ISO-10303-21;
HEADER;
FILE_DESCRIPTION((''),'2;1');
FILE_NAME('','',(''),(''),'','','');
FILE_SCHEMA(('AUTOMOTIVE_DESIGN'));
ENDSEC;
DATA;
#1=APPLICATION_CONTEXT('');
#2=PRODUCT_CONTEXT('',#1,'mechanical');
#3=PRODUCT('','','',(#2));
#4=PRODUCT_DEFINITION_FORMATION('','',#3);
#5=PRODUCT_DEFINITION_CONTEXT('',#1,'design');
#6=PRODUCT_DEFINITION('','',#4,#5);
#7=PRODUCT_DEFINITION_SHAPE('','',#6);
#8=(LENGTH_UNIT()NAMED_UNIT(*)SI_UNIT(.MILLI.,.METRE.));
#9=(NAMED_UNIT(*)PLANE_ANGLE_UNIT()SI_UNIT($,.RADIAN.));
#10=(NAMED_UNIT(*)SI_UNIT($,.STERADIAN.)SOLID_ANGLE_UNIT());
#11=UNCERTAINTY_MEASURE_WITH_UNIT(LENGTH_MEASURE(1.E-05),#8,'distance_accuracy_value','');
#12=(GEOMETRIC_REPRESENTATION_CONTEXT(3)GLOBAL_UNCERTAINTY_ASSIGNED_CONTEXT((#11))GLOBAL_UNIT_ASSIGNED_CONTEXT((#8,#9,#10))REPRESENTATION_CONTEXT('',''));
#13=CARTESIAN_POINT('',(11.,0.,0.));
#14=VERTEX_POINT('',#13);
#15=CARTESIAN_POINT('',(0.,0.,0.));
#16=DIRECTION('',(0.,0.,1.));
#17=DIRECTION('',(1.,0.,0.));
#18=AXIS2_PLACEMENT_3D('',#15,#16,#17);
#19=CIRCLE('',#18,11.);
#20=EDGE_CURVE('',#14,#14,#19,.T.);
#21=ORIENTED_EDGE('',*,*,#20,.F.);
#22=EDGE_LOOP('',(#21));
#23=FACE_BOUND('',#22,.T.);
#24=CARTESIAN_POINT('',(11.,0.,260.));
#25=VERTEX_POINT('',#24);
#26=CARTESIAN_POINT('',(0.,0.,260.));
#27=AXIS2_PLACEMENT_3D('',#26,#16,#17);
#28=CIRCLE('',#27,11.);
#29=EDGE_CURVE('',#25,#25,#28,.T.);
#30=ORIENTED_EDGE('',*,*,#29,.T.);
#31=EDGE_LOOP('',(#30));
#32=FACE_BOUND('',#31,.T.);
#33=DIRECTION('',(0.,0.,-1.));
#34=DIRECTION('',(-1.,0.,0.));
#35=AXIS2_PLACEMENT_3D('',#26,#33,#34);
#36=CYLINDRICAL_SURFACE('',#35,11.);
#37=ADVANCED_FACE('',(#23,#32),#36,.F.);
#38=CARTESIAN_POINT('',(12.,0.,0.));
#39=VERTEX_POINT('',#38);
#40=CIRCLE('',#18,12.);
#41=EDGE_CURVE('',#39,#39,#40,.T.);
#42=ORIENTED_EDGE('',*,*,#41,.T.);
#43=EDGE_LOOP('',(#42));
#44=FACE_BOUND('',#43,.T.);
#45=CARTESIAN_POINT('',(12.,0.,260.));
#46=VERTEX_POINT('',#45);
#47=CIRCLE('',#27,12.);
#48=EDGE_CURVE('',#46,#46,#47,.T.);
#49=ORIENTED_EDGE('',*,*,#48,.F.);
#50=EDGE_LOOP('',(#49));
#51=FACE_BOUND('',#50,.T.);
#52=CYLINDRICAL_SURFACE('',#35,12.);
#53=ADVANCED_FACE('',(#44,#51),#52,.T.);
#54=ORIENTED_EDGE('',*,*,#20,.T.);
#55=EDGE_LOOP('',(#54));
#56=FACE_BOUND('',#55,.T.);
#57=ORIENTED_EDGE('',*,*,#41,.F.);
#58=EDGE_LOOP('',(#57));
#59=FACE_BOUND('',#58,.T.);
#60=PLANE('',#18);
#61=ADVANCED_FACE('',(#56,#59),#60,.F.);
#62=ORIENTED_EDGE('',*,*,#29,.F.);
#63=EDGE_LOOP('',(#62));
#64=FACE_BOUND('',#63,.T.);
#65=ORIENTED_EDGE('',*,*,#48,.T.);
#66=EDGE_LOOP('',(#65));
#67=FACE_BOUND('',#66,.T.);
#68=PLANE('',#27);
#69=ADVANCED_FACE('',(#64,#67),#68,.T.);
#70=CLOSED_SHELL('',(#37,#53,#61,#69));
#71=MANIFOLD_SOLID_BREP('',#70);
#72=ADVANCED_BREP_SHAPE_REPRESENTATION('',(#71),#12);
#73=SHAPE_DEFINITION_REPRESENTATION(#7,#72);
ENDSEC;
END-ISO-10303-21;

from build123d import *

# Parameters (mm, degrees)
IZIM1_R                     = 12
IZIM1_R_2                   = 11
Y_KSEKLIK_EKSTR_ZYON1_DEPTH = 260


with BuildPart() as part:
    # Çizim1 → Yükseklik-Ekstrüzyon1 (new body)
    with BuildSketch(Plane.XY):
        Circle(IZIM1_R)
        Circle(IZIM1_R_2, mode=Mode.SUBTRACT)
    extrude(amount=Y_KSEKLIK_EKSTR_ZYON1_DEPTH)


solid = part.part
